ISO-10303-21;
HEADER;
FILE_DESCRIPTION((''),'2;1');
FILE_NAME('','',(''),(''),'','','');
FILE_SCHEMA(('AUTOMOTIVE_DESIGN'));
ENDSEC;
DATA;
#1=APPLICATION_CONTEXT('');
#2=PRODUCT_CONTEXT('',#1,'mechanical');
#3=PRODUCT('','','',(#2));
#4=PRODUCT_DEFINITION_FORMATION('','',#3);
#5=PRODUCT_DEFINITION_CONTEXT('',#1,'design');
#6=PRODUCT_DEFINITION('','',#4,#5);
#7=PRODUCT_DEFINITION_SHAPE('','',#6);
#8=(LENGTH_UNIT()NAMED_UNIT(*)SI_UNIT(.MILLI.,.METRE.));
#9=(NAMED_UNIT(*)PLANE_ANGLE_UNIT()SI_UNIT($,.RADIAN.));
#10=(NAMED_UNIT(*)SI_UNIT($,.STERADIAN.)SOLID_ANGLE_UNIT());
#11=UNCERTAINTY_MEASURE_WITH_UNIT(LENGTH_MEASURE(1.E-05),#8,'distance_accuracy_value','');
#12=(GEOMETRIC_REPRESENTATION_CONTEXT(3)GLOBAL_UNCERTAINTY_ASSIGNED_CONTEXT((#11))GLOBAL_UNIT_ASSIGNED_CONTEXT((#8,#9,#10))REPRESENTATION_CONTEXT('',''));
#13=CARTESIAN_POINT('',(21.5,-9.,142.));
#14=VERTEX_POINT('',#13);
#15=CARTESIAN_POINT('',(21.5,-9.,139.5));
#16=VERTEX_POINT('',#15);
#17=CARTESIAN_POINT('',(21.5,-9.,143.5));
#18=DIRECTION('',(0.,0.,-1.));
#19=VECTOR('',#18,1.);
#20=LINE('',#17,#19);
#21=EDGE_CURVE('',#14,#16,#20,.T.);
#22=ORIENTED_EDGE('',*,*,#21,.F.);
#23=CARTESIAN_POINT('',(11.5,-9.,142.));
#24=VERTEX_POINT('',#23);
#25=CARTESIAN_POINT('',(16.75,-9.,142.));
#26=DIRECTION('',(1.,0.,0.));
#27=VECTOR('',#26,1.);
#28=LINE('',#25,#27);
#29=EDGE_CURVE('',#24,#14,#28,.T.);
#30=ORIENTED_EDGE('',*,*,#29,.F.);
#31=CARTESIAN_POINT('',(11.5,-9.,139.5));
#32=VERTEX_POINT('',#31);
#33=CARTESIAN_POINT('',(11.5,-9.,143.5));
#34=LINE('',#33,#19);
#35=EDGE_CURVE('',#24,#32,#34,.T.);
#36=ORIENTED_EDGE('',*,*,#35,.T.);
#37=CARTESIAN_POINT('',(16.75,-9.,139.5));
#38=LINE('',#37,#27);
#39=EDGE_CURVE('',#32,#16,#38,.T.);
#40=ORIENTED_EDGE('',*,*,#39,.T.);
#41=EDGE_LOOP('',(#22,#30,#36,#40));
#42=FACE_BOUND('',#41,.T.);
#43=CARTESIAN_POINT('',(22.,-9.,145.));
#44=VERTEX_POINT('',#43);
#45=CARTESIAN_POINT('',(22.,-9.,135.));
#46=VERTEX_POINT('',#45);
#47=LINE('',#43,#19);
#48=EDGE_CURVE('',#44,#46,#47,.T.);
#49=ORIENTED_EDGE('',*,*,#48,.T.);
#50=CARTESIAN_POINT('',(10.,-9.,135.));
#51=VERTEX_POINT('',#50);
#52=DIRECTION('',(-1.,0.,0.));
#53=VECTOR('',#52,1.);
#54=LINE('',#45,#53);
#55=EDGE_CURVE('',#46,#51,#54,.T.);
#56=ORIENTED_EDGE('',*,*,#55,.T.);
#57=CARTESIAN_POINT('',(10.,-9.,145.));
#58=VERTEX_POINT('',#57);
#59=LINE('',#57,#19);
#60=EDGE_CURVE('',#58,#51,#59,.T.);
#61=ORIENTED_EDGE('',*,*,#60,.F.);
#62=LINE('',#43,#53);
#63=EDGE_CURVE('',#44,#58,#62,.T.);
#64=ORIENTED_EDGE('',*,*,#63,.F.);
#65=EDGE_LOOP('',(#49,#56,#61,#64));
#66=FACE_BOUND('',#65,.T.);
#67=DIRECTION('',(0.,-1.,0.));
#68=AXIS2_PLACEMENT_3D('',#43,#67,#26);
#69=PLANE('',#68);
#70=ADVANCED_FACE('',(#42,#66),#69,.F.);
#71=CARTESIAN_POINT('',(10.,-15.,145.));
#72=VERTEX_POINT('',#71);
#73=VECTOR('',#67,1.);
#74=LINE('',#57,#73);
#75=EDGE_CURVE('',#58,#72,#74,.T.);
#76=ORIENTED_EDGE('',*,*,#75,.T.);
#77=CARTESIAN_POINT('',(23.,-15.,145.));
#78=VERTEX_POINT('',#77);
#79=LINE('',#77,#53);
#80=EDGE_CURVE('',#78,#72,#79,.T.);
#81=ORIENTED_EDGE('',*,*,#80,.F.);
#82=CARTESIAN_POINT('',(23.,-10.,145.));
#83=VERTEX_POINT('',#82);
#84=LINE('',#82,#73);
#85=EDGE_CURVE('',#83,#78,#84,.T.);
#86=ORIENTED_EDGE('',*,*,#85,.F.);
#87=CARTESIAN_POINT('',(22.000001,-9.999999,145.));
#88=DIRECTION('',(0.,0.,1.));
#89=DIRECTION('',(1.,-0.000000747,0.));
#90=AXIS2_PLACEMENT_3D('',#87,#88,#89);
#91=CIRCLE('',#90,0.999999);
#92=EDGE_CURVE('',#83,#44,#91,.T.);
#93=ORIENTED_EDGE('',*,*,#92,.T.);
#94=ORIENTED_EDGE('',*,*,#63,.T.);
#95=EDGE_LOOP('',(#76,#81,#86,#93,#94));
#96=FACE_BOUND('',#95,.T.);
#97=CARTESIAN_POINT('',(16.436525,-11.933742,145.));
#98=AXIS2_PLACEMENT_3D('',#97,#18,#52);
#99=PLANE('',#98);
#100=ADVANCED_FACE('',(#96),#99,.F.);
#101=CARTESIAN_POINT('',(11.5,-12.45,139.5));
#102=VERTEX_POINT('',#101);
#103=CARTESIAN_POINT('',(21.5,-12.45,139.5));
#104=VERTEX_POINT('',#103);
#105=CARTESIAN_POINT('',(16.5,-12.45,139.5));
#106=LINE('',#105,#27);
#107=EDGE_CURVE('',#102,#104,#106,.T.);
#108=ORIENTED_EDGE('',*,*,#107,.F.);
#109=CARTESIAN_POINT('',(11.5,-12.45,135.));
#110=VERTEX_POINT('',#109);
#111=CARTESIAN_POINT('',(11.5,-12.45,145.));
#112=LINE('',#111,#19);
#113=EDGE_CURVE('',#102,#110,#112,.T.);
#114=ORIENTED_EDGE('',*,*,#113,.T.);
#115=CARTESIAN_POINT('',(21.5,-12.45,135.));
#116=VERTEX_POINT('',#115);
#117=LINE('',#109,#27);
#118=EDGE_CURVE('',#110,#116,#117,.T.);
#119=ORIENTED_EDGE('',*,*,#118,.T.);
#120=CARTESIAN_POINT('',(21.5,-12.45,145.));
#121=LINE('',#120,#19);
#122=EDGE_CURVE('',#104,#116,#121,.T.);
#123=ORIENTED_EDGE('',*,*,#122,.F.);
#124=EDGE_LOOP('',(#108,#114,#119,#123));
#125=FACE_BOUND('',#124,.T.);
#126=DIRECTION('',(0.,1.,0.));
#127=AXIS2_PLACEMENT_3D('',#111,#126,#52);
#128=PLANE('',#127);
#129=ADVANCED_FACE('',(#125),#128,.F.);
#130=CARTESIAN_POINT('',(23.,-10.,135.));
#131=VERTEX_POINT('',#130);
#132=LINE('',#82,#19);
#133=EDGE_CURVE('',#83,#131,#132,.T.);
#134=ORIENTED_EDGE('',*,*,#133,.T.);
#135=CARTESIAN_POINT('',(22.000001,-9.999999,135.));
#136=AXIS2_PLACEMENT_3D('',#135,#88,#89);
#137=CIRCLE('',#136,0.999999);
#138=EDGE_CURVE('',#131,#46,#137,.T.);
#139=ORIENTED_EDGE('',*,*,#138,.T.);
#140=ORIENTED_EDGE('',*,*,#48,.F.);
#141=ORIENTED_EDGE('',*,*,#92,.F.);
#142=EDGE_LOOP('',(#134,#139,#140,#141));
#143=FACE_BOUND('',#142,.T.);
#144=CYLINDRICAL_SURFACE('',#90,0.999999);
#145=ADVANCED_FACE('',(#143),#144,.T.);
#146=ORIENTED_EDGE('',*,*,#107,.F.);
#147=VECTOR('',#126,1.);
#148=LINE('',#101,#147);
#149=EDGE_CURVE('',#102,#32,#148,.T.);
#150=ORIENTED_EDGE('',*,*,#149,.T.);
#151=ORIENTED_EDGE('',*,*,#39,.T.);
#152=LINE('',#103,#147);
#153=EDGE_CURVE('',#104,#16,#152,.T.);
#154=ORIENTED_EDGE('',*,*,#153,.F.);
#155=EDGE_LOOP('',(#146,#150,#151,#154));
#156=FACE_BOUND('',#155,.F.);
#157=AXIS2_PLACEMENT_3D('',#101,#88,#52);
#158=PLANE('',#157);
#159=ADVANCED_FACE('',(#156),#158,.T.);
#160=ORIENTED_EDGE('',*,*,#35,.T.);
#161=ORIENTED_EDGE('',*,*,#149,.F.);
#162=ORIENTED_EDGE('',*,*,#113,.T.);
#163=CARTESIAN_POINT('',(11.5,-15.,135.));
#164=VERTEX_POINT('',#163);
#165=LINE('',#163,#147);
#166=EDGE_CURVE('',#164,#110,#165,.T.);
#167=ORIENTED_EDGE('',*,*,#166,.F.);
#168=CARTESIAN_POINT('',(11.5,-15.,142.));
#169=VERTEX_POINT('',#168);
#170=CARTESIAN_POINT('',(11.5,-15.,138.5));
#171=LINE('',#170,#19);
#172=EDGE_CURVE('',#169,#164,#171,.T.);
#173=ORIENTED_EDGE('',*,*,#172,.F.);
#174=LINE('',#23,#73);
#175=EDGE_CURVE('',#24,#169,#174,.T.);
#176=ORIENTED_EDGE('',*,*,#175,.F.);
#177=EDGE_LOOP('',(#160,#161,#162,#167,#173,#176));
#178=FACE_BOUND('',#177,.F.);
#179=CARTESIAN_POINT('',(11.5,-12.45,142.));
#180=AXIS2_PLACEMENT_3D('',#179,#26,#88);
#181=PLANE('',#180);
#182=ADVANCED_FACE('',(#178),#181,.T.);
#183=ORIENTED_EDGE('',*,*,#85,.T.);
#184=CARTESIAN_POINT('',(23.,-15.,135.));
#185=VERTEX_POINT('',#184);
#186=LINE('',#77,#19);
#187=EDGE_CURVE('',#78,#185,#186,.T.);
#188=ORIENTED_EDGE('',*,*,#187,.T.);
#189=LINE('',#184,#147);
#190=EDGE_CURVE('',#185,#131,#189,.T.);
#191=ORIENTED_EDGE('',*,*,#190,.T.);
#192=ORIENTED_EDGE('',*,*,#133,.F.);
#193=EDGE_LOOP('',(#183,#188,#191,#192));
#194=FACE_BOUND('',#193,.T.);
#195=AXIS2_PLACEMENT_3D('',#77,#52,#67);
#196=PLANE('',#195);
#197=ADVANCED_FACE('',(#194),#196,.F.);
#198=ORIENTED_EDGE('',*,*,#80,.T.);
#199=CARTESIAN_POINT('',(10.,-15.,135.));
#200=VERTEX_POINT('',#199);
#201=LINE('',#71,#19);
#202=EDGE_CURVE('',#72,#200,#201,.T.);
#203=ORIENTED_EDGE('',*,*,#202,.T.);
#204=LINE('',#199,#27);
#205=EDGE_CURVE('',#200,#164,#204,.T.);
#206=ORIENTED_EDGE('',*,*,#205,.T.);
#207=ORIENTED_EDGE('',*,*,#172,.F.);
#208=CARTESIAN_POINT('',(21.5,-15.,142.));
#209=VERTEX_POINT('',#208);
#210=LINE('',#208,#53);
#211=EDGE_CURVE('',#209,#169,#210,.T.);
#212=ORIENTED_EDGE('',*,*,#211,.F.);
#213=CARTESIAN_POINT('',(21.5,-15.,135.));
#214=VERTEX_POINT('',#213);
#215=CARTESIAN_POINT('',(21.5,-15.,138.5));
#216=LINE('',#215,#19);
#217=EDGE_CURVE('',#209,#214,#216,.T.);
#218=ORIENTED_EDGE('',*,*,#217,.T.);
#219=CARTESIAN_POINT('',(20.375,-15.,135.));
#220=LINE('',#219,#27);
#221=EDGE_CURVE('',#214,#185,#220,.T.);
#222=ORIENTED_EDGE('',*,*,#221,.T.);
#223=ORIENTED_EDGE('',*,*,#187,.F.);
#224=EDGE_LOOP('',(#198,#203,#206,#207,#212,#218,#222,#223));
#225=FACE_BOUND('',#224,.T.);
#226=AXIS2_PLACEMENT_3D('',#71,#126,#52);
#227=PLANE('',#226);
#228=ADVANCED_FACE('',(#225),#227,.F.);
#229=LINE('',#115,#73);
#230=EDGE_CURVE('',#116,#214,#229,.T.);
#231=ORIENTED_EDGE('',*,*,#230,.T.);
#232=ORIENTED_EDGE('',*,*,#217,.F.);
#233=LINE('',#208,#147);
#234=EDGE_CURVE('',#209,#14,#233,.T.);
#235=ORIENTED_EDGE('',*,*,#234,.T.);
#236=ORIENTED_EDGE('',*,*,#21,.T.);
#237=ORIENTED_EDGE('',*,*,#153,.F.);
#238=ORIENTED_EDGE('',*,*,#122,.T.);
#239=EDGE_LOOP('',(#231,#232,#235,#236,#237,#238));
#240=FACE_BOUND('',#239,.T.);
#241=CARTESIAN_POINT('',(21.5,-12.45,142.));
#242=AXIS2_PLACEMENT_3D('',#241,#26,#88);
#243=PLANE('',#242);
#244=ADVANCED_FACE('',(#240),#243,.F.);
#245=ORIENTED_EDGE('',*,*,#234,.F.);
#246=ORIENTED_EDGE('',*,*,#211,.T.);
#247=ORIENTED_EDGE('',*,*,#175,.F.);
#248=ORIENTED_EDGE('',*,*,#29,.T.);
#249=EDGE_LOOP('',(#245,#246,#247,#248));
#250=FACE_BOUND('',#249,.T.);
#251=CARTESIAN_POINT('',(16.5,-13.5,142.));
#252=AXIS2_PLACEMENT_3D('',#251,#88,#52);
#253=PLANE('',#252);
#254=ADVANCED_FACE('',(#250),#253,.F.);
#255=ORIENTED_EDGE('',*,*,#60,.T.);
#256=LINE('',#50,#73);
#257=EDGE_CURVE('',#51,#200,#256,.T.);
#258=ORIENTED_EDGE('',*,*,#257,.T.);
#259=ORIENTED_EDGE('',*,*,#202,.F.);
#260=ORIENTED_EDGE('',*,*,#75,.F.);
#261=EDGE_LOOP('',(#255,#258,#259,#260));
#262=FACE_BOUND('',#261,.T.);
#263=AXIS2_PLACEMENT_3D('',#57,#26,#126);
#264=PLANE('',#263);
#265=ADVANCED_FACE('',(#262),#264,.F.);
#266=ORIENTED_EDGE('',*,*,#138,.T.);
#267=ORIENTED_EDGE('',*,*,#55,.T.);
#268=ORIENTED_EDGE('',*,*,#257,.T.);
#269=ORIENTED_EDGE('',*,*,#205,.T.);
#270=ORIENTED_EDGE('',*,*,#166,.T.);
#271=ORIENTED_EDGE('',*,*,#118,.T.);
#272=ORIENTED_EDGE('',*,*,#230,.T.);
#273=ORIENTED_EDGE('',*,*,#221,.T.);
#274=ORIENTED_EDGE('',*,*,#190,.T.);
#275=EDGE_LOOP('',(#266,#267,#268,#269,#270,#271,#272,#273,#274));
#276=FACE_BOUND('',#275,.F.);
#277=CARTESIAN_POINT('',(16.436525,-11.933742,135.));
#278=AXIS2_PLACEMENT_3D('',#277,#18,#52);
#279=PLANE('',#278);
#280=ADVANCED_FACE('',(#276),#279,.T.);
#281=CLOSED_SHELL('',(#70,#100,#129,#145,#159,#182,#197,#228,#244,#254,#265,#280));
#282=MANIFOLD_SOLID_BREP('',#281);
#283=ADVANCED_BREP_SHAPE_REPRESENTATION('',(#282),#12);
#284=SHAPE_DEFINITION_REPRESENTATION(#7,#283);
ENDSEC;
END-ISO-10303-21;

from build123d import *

# Parameters (mm, degrees)
PAD014_DEPTH    = 10
SKETCH_W        = 10
SKETCH_H        = 2.5
POCKET_DEPTH    = 5
SKETCH029_W     = 13
SKETCH029_H     = 3
PAD015_DEPTH    = 3
SKETCH030_W     = 10
SKETCH030_H     = 7
POCKET002_DEPTH = 1


with BuildPart() as f_10mm_endbrackett:
    # Sketch015 → Pad014 (new body)
    with BuildSketch(Plane.XY):
        with BuildLine():
            Line((10, -9), (10, -15))
            Line((10, -15), (12.625, -15))
            Line((12.625, -15), (12.625, -14.4))
            Line((12.625, -14.4), (11.5, -14.4))
            Line((11.5, -14.4), (11.5, -12.45))
            Line((11.5, -12.45), (21.5, -12.45))
            Line((21.5, -12.45), (21.5, -14.4))
            Line((21.5, -14.4), (20.375, -14.4))
            Line((20.375, -14.4), (20.375, -15))
            Line((20.375, -15), (23, -15))
            Line((23, -15), (23, -10))
            ThreePointArc((23, -10), (22.707107, -9.292893), (22, -9))
            Line((22, -9), (10, -9))
        make_face()
    extrude(amount=PAD014_DEPTH)

    # Sketch (on Face6 of Pad014) → Pocket (cut)
    with BuildSketch(Plane.XZ.offset(12.45)):
        with Locations((16.5, 4.25)):
            Rectangle(SKETCH_W, SKETCH_H)
    extrude(amount=-POCKET_DEPTH, mode=Mode.SUBTRACT)

    # Sketch029 (on Face4 of Pocket) → Pad015 (join)
    with BuildSketch(Plane(origin=(0, 0, 0), x_dir=(1, 0, 0), z_dir=(0, 0, -1))):
        with Locations((16.5, 13.5)):
            Rectangle(SKETCH029_W, SKETCH029_H)
    extrude(amount=-PAD015_DEPTH)

    # Sketch030 (on Face4 of Pad015) → Pocket002 (cut)
    with BuildSketch(Plane.XZ.offset(15)):
        with Locations((16.5, 6.5)):
            Rectangle(SKETCH030_W, SKETCH030_H)
    extrude(amount=-POCKET002_DEPTH, mode=Mode.SUBTRACT)


with BuildPart() as f_10mm_endbracketb:
    # Part__Mirroring: instance of 10mm-EndBracketT
    add(f_10mm_endbrackett.part.mirror(Plane(origin=(0, 0, 72.5), x_dir=(0, 1, 0), z_dir=(0, 0, 1))))


solid = f_10mm_endbracketb.part
